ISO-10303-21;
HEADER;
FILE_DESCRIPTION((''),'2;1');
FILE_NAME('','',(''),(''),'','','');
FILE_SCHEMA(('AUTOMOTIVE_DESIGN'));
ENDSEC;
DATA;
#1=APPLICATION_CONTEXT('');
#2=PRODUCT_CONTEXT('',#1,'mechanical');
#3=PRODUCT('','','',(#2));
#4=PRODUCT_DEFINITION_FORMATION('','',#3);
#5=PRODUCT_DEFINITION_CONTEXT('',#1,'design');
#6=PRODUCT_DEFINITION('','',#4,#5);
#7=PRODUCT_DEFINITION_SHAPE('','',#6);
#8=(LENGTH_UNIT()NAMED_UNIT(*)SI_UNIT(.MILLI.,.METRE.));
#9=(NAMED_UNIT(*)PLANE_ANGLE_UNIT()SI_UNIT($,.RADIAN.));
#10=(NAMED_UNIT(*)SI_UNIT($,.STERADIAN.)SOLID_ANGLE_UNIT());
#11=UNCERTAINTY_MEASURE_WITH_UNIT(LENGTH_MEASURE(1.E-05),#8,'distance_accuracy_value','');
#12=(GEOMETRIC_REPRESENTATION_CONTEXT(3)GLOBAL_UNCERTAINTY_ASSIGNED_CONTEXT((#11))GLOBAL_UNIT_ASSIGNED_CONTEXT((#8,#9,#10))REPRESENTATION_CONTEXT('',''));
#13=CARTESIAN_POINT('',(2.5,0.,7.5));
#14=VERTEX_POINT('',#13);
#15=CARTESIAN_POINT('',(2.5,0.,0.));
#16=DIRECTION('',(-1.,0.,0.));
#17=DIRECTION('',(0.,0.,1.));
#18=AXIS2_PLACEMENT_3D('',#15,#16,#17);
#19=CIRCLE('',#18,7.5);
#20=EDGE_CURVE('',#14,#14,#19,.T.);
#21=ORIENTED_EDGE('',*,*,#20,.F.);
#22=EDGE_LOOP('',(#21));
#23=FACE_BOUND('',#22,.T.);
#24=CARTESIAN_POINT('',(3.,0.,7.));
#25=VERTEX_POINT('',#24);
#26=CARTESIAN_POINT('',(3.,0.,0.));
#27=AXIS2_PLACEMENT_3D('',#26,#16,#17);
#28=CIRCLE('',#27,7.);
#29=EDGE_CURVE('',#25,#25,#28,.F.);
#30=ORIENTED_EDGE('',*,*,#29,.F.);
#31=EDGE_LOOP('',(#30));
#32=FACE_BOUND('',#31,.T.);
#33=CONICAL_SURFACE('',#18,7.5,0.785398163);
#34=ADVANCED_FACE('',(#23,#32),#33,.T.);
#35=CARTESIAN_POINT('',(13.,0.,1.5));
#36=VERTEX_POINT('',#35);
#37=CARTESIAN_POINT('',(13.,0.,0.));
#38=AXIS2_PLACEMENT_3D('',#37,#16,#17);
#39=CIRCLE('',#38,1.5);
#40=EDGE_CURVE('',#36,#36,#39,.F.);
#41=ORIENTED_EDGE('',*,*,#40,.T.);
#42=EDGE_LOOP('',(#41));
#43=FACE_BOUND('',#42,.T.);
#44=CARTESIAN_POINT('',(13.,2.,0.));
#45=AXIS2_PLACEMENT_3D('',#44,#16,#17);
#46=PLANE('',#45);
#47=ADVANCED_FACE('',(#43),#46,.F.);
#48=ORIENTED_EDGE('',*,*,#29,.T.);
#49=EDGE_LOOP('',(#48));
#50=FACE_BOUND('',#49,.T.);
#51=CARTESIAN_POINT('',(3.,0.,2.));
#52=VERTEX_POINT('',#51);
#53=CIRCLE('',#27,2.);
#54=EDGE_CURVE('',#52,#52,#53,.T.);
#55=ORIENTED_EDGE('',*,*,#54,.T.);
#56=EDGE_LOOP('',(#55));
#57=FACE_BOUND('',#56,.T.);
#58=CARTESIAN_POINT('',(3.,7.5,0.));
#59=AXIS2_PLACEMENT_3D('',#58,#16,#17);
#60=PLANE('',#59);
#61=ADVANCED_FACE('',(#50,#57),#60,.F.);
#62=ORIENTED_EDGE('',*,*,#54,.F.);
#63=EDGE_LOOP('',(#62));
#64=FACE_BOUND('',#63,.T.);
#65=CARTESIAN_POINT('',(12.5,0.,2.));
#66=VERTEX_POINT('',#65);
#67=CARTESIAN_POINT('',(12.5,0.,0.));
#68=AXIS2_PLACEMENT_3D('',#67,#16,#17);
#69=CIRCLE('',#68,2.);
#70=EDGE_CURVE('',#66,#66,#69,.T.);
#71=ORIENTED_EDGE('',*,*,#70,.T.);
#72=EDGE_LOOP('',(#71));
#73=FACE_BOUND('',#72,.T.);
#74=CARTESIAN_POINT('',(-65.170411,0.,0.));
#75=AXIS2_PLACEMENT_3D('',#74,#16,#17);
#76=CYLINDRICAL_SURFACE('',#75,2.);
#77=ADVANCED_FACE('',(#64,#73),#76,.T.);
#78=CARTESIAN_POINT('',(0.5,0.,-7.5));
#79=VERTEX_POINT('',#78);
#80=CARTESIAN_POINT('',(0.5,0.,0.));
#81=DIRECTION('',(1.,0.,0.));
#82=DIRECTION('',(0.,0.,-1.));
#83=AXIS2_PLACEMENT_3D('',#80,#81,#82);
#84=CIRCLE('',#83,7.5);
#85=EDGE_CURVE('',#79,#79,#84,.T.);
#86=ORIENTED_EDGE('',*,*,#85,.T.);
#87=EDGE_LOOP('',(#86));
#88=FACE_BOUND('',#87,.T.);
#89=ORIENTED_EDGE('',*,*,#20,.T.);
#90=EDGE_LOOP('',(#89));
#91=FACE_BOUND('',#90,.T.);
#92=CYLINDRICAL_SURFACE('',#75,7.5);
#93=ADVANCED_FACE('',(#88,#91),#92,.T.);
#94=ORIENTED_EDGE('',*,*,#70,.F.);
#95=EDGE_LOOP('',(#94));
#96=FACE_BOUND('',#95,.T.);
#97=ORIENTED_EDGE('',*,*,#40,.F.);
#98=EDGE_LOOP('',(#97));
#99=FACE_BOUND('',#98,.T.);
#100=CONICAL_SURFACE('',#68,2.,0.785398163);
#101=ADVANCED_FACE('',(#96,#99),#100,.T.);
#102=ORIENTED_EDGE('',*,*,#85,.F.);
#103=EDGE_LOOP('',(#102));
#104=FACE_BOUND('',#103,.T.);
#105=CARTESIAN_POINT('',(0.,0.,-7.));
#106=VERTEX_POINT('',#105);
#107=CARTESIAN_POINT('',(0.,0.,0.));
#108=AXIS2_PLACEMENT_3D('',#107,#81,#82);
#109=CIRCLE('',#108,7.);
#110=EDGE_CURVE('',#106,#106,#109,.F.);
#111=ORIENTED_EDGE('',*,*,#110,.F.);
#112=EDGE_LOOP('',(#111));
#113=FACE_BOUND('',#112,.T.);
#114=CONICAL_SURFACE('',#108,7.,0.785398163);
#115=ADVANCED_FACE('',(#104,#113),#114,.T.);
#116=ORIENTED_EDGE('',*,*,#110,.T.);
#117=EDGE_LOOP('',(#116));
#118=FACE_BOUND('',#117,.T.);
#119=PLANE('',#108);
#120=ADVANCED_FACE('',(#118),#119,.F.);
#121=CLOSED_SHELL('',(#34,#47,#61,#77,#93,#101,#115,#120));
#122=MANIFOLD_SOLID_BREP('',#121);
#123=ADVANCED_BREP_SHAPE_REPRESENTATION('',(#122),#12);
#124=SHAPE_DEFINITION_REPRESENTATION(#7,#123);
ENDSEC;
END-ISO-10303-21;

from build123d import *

# Parameters (mm, degrees)
CHANFREIN1_SIZE = 0.5


with BuildPart() as part:
    # Esquisse1 → Révolution1 (revolve)
    with BuildSketch(Plane.XY, mode=Mode.PRIVATE) as r_volution1_sk:
        Polygon((0, 0), (0, 7.5), (3, 7.5), (3, 2), (13, 2), (13, 0), align=None)
    revolve(r_volution1_sk.sketch.rotate(Axis((-65.170410524, 0, 0), (1, 0, 0)), 90), axis=Axis((-65.170410524, 0, 0), (1, 0, 0)))

    # Chanfrein1
    chanfrein1_edges = [part.edges().sort_by_distance(p)[0] for p in [
        (13, 0, -2),
        (3, 0, -7.5),
        (0, 0, -7.5),
    ]]
    chamfer(chanfrein1_edges, length=CHANFREIN1_SIZE)


solid = part.part
